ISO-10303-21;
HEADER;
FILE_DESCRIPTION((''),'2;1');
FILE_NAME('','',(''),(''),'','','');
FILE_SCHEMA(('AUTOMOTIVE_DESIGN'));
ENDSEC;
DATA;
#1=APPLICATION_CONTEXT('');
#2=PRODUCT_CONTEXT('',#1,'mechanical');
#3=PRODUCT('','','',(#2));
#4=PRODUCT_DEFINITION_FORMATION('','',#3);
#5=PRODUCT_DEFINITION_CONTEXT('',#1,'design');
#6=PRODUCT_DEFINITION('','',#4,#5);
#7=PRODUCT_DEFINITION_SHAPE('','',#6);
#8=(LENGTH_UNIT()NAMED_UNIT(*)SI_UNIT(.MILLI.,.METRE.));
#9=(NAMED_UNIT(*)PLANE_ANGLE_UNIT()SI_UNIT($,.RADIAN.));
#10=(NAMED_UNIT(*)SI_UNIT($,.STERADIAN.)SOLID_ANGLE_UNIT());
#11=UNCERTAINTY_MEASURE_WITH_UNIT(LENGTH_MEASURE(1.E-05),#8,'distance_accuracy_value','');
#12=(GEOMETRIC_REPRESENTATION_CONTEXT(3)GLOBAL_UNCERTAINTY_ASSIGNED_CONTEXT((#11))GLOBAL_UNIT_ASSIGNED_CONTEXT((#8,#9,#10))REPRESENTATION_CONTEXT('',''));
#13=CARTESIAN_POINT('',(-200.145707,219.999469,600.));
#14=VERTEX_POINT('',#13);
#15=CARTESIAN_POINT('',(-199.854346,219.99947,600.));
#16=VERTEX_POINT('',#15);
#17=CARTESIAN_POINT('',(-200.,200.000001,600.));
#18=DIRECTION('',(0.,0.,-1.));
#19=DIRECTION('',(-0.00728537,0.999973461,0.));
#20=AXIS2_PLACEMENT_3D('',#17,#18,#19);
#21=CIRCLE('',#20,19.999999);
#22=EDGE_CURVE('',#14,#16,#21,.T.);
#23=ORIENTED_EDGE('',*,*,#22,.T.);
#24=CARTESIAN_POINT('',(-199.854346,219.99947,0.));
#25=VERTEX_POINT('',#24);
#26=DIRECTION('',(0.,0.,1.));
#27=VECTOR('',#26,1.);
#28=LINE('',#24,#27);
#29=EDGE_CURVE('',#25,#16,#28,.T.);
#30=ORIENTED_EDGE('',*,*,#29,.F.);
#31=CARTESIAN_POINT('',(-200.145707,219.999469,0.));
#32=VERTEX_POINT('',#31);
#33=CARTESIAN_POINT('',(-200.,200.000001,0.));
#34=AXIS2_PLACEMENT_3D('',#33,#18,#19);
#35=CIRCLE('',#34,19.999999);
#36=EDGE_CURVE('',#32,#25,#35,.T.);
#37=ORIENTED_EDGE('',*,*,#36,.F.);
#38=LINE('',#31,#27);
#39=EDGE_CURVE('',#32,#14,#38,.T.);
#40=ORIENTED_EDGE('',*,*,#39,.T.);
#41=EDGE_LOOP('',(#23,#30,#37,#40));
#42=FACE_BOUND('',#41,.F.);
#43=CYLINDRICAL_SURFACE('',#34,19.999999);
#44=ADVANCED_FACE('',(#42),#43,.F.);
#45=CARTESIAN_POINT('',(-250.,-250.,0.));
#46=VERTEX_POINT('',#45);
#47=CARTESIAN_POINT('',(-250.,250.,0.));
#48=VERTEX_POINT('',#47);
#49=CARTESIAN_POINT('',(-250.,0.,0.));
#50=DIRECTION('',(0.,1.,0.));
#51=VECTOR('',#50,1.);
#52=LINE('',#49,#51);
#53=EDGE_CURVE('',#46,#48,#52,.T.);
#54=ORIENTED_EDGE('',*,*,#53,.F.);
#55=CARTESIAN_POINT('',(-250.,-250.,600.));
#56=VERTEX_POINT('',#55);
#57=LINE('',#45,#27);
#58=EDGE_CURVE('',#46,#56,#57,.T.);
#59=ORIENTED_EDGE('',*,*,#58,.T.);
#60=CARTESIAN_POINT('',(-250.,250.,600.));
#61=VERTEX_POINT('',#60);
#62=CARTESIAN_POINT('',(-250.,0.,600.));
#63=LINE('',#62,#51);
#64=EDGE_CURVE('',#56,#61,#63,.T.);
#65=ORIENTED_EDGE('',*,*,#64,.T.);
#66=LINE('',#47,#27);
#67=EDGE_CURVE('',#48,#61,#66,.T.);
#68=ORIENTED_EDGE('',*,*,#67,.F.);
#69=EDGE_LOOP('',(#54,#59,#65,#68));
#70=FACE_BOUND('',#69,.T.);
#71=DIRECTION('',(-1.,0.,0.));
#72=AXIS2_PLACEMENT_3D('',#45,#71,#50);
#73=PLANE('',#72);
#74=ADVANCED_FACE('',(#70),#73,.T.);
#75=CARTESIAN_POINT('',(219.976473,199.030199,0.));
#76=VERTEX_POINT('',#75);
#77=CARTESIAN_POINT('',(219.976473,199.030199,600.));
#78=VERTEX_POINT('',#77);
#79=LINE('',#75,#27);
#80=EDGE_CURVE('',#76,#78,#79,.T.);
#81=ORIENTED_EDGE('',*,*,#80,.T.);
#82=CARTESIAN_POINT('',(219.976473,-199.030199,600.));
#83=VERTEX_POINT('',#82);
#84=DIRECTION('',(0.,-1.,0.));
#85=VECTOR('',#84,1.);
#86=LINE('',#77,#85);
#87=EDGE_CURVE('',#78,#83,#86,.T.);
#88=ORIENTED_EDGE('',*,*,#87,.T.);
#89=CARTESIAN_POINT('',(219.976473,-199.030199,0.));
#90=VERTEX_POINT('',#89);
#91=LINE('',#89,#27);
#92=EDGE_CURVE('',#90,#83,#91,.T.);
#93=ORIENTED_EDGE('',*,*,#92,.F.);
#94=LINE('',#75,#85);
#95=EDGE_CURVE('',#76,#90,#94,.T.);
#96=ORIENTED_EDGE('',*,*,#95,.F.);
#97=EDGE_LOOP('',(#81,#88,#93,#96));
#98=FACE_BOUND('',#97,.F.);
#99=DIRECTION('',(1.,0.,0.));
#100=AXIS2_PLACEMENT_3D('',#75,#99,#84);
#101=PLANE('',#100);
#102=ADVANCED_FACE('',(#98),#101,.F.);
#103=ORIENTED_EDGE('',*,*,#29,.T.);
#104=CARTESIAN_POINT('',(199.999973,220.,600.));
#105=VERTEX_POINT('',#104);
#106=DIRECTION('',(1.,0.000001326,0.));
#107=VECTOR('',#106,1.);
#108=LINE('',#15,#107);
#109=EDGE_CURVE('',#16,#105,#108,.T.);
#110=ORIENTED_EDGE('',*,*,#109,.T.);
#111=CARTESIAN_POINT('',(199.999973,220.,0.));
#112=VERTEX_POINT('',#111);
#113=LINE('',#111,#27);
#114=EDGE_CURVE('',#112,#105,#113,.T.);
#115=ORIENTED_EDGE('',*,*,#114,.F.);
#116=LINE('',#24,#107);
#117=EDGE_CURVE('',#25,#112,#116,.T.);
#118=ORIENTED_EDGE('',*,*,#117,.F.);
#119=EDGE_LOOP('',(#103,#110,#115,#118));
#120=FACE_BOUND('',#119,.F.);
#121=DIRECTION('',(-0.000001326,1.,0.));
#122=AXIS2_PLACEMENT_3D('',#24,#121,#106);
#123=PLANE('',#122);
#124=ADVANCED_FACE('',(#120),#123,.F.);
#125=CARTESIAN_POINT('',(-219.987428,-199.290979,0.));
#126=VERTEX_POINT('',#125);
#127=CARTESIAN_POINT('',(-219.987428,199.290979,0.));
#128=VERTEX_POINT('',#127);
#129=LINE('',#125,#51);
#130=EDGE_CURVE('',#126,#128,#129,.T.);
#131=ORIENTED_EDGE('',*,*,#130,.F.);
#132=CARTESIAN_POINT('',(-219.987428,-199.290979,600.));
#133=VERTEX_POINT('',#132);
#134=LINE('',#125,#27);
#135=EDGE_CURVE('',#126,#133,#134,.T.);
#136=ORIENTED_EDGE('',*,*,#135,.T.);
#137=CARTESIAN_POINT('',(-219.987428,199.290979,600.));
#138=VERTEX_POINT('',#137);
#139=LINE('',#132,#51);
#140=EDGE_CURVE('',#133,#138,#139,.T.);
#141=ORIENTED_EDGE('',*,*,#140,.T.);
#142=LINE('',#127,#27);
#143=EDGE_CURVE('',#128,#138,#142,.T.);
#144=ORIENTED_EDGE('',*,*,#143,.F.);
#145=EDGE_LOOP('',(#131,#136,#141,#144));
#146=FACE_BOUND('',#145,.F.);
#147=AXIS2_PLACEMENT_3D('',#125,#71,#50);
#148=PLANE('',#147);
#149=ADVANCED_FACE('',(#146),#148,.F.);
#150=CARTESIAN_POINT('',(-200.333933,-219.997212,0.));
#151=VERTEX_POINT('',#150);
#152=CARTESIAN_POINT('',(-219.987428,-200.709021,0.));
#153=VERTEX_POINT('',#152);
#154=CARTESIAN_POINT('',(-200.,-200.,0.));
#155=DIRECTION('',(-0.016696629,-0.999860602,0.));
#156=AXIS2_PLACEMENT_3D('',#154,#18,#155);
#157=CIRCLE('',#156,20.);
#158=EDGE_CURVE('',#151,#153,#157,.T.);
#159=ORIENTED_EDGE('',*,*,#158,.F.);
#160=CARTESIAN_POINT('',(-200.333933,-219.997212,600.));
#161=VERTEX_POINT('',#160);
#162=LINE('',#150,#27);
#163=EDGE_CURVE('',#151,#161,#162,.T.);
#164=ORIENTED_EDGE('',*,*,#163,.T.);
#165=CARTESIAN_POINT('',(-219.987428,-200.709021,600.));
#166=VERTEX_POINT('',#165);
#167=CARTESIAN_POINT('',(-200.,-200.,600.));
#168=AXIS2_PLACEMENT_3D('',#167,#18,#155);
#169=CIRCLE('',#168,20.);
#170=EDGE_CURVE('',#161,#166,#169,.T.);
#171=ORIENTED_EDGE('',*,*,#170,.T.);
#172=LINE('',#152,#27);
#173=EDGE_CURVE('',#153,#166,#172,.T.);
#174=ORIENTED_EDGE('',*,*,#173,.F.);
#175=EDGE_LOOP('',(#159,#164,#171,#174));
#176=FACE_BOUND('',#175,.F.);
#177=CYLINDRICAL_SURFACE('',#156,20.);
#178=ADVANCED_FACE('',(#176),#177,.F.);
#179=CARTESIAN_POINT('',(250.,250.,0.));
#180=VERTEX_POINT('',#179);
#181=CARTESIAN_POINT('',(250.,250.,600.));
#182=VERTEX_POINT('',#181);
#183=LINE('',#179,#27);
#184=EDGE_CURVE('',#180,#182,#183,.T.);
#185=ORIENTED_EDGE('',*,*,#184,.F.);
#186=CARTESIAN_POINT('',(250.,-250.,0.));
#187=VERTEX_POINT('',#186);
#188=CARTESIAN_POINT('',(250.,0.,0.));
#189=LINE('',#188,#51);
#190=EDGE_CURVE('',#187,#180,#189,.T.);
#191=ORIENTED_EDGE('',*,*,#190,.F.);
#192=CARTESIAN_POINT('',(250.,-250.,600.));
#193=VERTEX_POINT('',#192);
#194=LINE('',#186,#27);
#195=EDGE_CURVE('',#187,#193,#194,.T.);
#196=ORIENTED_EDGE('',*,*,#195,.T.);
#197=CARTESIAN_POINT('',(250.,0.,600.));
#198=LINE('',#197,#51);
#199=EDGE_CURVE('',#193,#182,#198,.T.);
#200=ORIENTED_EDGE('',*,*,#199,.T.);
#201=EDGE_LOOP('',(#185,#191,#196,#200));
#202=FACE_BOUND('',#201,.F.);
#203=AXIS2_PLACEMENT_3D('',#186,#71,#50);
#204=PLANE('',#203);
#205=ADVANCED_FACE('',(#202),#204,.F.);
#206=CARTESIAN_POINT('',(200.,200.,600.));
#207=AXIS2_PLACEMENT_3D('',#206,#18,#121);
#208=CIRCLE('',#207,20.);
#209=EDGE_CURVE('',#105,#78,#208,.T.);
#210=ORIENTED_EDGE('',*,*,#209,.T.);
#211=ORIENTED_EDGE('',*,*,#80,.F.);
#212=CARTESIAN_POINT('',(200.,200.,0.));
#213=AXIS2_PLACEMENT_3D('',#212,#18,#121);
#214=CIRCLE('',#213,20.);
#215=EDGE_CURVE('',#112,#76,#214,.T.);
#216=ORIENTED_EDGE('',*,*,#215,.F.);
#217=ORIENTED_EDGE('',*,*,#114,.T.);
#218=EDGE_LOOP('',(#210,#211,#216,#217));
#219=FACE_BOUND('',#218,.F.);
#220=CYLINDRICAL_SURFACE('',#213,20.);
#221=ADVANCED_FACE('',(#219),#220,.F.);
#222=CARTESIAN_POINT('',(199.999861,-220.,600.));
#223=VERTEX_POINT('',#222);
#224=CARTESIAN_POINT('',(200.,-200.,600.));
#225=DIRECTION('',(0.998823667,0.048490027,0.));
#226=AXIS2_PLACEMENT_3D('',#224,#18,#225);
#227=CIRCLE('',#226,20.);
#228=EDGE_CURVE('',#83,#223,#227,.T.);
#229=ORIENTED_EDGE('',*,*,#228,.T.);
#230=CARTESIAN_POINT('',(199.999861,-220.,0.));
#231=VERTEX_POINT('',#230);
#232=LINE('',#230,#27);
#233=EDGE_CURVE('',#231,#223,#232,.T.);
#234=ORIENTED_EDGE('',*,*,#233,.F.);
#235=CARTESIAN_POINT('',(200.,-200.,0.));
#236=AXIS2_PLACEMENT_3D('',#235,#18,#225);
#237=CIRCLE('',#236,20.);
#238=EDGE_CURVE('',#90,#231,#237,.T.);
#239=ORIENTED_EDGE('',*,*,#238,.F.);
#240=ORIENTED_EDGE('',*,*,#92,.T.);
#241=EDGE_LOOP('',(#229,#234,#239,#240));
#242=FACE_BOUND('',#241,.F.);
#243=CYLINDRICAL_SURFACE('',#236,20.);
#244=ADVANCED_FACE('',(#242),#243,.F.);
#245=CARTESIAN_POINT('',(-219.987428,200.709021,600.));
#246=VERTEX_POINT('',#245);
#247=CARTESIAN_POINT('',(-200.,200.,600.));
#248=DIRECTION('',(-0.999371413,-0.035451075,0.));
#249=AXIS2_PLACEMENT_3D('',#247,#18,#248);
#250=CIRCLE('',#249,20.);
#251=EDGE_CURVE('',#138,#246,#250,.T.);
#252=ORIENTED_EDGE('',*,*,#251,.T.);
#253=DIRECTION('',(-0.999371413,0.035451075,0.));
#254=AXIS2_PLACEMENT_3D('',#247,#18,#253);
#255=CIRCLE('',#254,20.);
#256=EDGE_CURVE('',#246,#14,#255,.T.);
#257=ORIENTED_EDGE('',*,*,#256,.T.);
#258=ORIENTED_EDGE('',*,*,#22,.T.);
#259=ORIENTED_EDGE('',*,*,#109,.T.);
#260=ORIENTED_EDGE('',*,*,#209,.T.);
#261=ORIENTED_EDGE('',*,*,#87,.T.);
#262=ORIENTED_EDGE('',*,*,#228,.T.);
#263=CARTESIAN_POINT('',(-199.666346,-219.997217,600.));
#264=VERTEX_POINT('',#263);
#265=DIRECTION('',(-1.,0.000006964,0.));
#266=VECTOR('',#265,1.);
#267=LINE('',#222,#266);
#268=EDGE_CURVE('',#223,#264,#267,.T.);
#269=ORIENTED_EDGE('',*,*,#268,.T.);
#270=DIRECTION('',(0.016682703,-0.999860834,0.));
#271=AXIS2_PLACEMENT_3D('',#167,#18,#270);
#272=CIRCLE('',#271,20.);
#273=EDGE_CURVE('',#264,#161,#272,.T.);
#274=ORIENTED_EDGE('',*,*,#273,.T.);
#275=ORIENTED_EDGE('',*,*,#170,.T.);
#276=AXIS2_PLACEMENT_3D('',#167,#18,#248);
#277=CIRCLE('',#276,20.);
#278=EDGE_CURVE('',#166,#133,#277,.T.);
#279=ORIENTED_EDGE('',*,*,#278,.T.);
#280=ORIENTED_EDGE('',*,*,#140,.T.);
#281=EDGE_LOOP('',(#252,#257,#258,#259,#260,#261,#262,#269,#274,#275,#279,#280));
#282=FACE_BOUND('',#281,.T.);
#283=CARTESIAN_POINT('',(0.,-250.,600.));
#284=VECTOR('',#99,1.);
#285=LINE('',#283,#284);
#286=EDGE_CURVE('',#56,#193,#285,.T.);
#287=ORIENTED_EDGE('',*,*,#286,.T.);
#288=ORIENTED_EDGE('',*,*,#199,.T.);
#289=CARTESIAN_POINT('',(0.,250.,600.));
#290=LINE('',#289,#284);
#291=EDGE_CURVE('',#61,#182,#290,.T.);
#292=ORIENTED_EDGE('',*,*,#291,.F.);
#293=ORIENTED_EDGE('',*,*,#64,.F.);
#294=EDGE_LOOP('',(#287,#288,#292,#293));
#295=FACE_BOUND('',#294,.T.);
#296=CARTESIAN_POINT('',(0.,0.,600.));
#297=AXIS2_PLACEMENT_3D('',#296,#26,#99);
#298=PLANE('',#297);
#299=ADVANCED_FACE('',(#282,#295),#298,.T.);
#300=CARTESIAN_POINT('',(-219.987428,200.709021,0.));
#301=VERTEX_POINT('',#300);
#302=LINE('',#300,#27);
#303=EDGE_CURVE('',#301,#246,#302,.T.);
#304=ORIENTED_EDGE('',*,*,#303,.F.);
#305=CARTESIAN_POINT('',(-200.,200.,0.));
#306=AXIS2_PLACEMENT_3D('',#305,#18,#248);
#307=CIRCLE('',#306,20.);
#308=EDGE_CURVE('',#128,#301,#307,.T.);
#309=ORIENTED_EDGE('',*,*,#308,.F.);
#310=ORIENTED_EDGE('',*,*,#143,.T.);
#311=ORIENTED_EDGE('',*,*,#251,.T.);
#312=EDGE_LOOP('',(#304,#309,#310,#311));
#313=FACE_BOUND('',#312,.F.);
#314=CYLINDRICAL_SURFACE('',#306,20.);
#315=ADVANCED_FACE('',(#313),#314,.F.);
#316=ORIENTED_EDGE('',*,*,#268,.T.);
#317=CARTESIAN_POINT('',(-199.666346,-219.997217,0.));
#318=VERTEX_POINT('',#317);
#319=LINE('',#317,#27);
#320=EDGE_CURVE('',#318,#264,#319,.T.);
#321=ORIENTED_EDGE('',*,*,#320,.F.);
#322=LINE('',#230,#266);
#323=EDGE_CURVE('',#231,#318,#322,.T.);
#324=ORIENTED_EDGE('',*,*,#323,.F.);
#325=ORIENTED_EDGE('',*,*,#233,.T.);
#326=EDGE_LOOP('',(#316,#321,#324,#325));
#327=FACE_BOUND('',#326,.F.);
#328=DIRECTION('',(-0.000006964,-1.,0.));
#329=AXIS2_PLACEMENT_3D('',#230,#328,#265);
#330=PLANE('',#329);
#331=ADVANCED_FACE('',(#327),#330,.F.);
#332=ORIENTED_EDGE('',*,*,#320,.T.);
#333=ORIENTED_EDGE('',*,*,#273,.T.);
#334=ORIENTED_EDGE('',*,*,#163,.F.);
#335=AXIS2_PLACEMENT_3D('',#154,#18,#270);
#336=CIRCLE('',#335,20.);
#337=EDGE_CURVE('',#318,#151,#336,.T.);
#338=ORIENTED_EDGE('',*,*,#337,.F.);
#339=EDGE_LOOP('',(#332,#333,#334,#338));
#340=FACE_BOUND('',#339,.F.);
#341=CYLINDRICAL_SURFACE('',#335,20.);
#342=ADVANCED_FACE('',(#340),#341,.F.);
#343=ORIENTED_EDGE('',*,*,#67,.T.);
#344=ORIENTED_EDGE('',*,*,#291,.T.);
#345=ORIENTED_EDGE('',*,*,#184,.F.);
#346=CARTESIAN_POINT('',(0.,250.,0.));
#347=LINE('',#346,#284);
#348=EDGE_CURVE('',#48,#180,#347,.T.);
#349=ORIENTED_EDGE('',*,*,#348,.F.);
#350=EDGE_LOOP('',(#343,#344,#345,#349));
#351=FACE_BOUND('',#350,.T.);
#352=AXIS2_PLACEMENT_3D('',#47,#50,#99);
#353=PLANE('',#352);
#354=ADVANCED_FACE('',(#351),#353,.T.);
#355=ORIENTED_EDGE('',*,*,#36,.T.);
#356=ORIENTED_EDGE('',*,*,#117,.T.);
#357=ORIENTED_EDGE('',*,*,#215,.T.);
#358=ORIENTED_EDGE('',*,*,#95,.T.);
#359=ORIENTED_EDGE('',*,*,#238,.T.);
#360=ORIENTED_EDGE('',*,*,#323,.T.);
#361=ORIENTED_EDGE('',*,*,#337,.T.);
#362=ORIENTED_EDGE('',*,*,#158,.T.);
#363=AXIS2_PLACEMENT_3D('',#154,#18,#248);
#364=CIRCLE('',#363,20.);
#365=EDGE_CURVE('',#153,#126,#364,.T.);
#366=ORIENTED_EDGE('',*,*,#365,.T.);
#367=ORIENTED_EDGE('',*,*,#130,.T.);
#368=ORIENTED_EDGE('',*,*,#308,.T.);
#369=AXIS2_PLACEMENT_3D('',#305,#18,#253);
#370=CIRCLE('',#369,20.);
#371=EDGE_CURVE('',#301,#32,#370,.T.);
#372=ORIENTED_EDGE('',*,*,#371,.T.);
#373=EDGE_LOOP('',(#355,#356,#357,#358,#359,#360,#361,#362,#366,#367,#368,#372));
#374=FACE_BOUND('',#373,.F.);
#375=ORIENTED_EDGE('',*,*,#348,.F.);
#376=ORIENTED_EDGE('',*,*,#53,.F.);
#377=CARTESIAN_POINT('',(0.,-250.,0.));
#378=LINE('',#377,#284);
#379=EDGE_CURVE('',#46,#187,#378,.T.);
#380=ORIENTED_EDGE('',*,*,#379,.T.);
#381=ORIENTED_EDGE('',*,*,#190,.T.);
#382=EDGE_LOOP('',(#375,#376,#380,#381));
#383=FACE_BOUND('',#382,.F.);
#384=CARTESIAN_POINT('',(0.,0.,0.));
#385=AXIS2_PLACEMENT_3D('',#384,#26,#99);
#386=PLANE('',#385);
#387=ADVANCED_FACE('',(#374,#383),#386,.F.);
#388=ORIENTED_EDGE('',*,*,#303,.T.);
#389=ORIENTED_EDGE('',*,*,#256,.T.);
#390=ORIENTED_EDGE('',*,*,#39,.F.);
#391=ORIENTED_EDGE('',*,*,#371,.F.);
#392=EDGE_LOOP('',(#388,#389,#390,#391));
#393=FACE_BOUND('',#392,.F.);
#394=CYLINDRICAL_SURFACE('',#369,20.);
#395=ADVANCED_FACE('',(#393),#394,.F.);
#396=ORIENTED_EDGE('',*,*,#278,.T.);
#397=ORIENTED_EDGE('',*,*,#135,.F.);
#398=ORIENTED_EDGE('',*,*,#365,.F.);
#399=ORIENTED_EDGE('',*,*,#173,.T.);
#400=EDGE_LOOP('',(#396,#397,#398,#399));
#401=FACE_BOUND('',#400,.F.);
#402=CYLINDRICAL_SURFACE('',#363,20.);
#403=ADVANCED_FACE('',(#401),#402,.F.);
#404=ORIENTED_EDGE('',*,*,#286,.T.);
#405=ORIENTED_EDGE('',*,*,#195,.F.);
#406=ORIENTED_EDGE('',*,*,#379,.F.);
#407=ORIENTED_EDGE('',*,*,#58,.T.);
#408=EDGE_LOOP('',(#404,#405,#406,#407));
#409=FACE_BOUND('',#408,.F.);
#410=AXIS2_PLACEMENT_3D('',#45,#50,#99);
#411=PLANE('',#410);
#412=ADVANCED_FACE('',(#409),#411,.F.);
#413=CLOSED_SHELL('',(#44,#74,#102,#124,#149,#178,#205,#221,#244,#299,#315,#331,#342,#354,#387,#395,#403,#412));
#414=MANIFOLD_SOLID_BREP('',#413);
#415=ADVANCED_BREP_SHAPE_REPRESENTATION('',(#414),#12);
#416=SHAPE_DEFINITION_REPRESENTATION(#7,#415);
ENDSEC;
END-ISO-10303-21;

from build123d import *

# Parameters (mm, degrees)
F0_W     = 500
F0_H     = 500
F1_DEPTH = 600


with BuildPart() as f1:
    # F0 (on Top) → F1 (new body)
    with BuildSketch(Plane.XY):
        Rectangle(F0_W, F0_H)
        with BuildLine():
            ThreePointArc((-200.145707391, 219.9994692269), (-200.000026529, 220), (-199.8543456655, 219.9994696133))
            Line((-199.8543456655, 219.9994696133), (199.999973471, 220))
            ThreePointArc((199.999973471, 220), (214.4809440479, 213.7950084988), (219.9764733348, 199.0301994505))
            Line((219.9764733348, 199.0301994505), (219.9764733348, -199.0301994505))
            ThreePointArc((219.9764733348, -199.0301994505), (214.480905162, -213.7950493181), (199.9998607178, -219.9999999995))
            Line((199.9998607178, -219.9999999995), (-199.6663459368, -219.9972166805))
            ThreePointArc((-199.6663459368, -219.9972166805), (-200.0001392822, -219.9999999995), (-200.3339325887, -219.9972120313))
            ThreePointArc((-200.3339325887, -219.9972120313), (-214.0088543508, -214.2741724726), (-219.9874282617, -200.7090214974))
            ThreePointArc((-219.9874282617, -200.7090214974), (-220, -200), (-219.9874282617, -199.2909785026))
            Line((-219.9874282617, -199.2909785026), (-219.9874282617, 199.2909785026))
            ThreePointArc((-219.9874282617, 199.2909785026), (-220, 200), (-219.9874282617, 200.7090214974))
            ThreePointArc((-219.9874282617, 200.7090214974), (-213.941525426, 214.3399396371), (-200.145707391, 219.9994692269))
        make_face(mode=Mode.SUBTRACT)
    extrude(amount=F1_DEPTH)


solid = f1.part
